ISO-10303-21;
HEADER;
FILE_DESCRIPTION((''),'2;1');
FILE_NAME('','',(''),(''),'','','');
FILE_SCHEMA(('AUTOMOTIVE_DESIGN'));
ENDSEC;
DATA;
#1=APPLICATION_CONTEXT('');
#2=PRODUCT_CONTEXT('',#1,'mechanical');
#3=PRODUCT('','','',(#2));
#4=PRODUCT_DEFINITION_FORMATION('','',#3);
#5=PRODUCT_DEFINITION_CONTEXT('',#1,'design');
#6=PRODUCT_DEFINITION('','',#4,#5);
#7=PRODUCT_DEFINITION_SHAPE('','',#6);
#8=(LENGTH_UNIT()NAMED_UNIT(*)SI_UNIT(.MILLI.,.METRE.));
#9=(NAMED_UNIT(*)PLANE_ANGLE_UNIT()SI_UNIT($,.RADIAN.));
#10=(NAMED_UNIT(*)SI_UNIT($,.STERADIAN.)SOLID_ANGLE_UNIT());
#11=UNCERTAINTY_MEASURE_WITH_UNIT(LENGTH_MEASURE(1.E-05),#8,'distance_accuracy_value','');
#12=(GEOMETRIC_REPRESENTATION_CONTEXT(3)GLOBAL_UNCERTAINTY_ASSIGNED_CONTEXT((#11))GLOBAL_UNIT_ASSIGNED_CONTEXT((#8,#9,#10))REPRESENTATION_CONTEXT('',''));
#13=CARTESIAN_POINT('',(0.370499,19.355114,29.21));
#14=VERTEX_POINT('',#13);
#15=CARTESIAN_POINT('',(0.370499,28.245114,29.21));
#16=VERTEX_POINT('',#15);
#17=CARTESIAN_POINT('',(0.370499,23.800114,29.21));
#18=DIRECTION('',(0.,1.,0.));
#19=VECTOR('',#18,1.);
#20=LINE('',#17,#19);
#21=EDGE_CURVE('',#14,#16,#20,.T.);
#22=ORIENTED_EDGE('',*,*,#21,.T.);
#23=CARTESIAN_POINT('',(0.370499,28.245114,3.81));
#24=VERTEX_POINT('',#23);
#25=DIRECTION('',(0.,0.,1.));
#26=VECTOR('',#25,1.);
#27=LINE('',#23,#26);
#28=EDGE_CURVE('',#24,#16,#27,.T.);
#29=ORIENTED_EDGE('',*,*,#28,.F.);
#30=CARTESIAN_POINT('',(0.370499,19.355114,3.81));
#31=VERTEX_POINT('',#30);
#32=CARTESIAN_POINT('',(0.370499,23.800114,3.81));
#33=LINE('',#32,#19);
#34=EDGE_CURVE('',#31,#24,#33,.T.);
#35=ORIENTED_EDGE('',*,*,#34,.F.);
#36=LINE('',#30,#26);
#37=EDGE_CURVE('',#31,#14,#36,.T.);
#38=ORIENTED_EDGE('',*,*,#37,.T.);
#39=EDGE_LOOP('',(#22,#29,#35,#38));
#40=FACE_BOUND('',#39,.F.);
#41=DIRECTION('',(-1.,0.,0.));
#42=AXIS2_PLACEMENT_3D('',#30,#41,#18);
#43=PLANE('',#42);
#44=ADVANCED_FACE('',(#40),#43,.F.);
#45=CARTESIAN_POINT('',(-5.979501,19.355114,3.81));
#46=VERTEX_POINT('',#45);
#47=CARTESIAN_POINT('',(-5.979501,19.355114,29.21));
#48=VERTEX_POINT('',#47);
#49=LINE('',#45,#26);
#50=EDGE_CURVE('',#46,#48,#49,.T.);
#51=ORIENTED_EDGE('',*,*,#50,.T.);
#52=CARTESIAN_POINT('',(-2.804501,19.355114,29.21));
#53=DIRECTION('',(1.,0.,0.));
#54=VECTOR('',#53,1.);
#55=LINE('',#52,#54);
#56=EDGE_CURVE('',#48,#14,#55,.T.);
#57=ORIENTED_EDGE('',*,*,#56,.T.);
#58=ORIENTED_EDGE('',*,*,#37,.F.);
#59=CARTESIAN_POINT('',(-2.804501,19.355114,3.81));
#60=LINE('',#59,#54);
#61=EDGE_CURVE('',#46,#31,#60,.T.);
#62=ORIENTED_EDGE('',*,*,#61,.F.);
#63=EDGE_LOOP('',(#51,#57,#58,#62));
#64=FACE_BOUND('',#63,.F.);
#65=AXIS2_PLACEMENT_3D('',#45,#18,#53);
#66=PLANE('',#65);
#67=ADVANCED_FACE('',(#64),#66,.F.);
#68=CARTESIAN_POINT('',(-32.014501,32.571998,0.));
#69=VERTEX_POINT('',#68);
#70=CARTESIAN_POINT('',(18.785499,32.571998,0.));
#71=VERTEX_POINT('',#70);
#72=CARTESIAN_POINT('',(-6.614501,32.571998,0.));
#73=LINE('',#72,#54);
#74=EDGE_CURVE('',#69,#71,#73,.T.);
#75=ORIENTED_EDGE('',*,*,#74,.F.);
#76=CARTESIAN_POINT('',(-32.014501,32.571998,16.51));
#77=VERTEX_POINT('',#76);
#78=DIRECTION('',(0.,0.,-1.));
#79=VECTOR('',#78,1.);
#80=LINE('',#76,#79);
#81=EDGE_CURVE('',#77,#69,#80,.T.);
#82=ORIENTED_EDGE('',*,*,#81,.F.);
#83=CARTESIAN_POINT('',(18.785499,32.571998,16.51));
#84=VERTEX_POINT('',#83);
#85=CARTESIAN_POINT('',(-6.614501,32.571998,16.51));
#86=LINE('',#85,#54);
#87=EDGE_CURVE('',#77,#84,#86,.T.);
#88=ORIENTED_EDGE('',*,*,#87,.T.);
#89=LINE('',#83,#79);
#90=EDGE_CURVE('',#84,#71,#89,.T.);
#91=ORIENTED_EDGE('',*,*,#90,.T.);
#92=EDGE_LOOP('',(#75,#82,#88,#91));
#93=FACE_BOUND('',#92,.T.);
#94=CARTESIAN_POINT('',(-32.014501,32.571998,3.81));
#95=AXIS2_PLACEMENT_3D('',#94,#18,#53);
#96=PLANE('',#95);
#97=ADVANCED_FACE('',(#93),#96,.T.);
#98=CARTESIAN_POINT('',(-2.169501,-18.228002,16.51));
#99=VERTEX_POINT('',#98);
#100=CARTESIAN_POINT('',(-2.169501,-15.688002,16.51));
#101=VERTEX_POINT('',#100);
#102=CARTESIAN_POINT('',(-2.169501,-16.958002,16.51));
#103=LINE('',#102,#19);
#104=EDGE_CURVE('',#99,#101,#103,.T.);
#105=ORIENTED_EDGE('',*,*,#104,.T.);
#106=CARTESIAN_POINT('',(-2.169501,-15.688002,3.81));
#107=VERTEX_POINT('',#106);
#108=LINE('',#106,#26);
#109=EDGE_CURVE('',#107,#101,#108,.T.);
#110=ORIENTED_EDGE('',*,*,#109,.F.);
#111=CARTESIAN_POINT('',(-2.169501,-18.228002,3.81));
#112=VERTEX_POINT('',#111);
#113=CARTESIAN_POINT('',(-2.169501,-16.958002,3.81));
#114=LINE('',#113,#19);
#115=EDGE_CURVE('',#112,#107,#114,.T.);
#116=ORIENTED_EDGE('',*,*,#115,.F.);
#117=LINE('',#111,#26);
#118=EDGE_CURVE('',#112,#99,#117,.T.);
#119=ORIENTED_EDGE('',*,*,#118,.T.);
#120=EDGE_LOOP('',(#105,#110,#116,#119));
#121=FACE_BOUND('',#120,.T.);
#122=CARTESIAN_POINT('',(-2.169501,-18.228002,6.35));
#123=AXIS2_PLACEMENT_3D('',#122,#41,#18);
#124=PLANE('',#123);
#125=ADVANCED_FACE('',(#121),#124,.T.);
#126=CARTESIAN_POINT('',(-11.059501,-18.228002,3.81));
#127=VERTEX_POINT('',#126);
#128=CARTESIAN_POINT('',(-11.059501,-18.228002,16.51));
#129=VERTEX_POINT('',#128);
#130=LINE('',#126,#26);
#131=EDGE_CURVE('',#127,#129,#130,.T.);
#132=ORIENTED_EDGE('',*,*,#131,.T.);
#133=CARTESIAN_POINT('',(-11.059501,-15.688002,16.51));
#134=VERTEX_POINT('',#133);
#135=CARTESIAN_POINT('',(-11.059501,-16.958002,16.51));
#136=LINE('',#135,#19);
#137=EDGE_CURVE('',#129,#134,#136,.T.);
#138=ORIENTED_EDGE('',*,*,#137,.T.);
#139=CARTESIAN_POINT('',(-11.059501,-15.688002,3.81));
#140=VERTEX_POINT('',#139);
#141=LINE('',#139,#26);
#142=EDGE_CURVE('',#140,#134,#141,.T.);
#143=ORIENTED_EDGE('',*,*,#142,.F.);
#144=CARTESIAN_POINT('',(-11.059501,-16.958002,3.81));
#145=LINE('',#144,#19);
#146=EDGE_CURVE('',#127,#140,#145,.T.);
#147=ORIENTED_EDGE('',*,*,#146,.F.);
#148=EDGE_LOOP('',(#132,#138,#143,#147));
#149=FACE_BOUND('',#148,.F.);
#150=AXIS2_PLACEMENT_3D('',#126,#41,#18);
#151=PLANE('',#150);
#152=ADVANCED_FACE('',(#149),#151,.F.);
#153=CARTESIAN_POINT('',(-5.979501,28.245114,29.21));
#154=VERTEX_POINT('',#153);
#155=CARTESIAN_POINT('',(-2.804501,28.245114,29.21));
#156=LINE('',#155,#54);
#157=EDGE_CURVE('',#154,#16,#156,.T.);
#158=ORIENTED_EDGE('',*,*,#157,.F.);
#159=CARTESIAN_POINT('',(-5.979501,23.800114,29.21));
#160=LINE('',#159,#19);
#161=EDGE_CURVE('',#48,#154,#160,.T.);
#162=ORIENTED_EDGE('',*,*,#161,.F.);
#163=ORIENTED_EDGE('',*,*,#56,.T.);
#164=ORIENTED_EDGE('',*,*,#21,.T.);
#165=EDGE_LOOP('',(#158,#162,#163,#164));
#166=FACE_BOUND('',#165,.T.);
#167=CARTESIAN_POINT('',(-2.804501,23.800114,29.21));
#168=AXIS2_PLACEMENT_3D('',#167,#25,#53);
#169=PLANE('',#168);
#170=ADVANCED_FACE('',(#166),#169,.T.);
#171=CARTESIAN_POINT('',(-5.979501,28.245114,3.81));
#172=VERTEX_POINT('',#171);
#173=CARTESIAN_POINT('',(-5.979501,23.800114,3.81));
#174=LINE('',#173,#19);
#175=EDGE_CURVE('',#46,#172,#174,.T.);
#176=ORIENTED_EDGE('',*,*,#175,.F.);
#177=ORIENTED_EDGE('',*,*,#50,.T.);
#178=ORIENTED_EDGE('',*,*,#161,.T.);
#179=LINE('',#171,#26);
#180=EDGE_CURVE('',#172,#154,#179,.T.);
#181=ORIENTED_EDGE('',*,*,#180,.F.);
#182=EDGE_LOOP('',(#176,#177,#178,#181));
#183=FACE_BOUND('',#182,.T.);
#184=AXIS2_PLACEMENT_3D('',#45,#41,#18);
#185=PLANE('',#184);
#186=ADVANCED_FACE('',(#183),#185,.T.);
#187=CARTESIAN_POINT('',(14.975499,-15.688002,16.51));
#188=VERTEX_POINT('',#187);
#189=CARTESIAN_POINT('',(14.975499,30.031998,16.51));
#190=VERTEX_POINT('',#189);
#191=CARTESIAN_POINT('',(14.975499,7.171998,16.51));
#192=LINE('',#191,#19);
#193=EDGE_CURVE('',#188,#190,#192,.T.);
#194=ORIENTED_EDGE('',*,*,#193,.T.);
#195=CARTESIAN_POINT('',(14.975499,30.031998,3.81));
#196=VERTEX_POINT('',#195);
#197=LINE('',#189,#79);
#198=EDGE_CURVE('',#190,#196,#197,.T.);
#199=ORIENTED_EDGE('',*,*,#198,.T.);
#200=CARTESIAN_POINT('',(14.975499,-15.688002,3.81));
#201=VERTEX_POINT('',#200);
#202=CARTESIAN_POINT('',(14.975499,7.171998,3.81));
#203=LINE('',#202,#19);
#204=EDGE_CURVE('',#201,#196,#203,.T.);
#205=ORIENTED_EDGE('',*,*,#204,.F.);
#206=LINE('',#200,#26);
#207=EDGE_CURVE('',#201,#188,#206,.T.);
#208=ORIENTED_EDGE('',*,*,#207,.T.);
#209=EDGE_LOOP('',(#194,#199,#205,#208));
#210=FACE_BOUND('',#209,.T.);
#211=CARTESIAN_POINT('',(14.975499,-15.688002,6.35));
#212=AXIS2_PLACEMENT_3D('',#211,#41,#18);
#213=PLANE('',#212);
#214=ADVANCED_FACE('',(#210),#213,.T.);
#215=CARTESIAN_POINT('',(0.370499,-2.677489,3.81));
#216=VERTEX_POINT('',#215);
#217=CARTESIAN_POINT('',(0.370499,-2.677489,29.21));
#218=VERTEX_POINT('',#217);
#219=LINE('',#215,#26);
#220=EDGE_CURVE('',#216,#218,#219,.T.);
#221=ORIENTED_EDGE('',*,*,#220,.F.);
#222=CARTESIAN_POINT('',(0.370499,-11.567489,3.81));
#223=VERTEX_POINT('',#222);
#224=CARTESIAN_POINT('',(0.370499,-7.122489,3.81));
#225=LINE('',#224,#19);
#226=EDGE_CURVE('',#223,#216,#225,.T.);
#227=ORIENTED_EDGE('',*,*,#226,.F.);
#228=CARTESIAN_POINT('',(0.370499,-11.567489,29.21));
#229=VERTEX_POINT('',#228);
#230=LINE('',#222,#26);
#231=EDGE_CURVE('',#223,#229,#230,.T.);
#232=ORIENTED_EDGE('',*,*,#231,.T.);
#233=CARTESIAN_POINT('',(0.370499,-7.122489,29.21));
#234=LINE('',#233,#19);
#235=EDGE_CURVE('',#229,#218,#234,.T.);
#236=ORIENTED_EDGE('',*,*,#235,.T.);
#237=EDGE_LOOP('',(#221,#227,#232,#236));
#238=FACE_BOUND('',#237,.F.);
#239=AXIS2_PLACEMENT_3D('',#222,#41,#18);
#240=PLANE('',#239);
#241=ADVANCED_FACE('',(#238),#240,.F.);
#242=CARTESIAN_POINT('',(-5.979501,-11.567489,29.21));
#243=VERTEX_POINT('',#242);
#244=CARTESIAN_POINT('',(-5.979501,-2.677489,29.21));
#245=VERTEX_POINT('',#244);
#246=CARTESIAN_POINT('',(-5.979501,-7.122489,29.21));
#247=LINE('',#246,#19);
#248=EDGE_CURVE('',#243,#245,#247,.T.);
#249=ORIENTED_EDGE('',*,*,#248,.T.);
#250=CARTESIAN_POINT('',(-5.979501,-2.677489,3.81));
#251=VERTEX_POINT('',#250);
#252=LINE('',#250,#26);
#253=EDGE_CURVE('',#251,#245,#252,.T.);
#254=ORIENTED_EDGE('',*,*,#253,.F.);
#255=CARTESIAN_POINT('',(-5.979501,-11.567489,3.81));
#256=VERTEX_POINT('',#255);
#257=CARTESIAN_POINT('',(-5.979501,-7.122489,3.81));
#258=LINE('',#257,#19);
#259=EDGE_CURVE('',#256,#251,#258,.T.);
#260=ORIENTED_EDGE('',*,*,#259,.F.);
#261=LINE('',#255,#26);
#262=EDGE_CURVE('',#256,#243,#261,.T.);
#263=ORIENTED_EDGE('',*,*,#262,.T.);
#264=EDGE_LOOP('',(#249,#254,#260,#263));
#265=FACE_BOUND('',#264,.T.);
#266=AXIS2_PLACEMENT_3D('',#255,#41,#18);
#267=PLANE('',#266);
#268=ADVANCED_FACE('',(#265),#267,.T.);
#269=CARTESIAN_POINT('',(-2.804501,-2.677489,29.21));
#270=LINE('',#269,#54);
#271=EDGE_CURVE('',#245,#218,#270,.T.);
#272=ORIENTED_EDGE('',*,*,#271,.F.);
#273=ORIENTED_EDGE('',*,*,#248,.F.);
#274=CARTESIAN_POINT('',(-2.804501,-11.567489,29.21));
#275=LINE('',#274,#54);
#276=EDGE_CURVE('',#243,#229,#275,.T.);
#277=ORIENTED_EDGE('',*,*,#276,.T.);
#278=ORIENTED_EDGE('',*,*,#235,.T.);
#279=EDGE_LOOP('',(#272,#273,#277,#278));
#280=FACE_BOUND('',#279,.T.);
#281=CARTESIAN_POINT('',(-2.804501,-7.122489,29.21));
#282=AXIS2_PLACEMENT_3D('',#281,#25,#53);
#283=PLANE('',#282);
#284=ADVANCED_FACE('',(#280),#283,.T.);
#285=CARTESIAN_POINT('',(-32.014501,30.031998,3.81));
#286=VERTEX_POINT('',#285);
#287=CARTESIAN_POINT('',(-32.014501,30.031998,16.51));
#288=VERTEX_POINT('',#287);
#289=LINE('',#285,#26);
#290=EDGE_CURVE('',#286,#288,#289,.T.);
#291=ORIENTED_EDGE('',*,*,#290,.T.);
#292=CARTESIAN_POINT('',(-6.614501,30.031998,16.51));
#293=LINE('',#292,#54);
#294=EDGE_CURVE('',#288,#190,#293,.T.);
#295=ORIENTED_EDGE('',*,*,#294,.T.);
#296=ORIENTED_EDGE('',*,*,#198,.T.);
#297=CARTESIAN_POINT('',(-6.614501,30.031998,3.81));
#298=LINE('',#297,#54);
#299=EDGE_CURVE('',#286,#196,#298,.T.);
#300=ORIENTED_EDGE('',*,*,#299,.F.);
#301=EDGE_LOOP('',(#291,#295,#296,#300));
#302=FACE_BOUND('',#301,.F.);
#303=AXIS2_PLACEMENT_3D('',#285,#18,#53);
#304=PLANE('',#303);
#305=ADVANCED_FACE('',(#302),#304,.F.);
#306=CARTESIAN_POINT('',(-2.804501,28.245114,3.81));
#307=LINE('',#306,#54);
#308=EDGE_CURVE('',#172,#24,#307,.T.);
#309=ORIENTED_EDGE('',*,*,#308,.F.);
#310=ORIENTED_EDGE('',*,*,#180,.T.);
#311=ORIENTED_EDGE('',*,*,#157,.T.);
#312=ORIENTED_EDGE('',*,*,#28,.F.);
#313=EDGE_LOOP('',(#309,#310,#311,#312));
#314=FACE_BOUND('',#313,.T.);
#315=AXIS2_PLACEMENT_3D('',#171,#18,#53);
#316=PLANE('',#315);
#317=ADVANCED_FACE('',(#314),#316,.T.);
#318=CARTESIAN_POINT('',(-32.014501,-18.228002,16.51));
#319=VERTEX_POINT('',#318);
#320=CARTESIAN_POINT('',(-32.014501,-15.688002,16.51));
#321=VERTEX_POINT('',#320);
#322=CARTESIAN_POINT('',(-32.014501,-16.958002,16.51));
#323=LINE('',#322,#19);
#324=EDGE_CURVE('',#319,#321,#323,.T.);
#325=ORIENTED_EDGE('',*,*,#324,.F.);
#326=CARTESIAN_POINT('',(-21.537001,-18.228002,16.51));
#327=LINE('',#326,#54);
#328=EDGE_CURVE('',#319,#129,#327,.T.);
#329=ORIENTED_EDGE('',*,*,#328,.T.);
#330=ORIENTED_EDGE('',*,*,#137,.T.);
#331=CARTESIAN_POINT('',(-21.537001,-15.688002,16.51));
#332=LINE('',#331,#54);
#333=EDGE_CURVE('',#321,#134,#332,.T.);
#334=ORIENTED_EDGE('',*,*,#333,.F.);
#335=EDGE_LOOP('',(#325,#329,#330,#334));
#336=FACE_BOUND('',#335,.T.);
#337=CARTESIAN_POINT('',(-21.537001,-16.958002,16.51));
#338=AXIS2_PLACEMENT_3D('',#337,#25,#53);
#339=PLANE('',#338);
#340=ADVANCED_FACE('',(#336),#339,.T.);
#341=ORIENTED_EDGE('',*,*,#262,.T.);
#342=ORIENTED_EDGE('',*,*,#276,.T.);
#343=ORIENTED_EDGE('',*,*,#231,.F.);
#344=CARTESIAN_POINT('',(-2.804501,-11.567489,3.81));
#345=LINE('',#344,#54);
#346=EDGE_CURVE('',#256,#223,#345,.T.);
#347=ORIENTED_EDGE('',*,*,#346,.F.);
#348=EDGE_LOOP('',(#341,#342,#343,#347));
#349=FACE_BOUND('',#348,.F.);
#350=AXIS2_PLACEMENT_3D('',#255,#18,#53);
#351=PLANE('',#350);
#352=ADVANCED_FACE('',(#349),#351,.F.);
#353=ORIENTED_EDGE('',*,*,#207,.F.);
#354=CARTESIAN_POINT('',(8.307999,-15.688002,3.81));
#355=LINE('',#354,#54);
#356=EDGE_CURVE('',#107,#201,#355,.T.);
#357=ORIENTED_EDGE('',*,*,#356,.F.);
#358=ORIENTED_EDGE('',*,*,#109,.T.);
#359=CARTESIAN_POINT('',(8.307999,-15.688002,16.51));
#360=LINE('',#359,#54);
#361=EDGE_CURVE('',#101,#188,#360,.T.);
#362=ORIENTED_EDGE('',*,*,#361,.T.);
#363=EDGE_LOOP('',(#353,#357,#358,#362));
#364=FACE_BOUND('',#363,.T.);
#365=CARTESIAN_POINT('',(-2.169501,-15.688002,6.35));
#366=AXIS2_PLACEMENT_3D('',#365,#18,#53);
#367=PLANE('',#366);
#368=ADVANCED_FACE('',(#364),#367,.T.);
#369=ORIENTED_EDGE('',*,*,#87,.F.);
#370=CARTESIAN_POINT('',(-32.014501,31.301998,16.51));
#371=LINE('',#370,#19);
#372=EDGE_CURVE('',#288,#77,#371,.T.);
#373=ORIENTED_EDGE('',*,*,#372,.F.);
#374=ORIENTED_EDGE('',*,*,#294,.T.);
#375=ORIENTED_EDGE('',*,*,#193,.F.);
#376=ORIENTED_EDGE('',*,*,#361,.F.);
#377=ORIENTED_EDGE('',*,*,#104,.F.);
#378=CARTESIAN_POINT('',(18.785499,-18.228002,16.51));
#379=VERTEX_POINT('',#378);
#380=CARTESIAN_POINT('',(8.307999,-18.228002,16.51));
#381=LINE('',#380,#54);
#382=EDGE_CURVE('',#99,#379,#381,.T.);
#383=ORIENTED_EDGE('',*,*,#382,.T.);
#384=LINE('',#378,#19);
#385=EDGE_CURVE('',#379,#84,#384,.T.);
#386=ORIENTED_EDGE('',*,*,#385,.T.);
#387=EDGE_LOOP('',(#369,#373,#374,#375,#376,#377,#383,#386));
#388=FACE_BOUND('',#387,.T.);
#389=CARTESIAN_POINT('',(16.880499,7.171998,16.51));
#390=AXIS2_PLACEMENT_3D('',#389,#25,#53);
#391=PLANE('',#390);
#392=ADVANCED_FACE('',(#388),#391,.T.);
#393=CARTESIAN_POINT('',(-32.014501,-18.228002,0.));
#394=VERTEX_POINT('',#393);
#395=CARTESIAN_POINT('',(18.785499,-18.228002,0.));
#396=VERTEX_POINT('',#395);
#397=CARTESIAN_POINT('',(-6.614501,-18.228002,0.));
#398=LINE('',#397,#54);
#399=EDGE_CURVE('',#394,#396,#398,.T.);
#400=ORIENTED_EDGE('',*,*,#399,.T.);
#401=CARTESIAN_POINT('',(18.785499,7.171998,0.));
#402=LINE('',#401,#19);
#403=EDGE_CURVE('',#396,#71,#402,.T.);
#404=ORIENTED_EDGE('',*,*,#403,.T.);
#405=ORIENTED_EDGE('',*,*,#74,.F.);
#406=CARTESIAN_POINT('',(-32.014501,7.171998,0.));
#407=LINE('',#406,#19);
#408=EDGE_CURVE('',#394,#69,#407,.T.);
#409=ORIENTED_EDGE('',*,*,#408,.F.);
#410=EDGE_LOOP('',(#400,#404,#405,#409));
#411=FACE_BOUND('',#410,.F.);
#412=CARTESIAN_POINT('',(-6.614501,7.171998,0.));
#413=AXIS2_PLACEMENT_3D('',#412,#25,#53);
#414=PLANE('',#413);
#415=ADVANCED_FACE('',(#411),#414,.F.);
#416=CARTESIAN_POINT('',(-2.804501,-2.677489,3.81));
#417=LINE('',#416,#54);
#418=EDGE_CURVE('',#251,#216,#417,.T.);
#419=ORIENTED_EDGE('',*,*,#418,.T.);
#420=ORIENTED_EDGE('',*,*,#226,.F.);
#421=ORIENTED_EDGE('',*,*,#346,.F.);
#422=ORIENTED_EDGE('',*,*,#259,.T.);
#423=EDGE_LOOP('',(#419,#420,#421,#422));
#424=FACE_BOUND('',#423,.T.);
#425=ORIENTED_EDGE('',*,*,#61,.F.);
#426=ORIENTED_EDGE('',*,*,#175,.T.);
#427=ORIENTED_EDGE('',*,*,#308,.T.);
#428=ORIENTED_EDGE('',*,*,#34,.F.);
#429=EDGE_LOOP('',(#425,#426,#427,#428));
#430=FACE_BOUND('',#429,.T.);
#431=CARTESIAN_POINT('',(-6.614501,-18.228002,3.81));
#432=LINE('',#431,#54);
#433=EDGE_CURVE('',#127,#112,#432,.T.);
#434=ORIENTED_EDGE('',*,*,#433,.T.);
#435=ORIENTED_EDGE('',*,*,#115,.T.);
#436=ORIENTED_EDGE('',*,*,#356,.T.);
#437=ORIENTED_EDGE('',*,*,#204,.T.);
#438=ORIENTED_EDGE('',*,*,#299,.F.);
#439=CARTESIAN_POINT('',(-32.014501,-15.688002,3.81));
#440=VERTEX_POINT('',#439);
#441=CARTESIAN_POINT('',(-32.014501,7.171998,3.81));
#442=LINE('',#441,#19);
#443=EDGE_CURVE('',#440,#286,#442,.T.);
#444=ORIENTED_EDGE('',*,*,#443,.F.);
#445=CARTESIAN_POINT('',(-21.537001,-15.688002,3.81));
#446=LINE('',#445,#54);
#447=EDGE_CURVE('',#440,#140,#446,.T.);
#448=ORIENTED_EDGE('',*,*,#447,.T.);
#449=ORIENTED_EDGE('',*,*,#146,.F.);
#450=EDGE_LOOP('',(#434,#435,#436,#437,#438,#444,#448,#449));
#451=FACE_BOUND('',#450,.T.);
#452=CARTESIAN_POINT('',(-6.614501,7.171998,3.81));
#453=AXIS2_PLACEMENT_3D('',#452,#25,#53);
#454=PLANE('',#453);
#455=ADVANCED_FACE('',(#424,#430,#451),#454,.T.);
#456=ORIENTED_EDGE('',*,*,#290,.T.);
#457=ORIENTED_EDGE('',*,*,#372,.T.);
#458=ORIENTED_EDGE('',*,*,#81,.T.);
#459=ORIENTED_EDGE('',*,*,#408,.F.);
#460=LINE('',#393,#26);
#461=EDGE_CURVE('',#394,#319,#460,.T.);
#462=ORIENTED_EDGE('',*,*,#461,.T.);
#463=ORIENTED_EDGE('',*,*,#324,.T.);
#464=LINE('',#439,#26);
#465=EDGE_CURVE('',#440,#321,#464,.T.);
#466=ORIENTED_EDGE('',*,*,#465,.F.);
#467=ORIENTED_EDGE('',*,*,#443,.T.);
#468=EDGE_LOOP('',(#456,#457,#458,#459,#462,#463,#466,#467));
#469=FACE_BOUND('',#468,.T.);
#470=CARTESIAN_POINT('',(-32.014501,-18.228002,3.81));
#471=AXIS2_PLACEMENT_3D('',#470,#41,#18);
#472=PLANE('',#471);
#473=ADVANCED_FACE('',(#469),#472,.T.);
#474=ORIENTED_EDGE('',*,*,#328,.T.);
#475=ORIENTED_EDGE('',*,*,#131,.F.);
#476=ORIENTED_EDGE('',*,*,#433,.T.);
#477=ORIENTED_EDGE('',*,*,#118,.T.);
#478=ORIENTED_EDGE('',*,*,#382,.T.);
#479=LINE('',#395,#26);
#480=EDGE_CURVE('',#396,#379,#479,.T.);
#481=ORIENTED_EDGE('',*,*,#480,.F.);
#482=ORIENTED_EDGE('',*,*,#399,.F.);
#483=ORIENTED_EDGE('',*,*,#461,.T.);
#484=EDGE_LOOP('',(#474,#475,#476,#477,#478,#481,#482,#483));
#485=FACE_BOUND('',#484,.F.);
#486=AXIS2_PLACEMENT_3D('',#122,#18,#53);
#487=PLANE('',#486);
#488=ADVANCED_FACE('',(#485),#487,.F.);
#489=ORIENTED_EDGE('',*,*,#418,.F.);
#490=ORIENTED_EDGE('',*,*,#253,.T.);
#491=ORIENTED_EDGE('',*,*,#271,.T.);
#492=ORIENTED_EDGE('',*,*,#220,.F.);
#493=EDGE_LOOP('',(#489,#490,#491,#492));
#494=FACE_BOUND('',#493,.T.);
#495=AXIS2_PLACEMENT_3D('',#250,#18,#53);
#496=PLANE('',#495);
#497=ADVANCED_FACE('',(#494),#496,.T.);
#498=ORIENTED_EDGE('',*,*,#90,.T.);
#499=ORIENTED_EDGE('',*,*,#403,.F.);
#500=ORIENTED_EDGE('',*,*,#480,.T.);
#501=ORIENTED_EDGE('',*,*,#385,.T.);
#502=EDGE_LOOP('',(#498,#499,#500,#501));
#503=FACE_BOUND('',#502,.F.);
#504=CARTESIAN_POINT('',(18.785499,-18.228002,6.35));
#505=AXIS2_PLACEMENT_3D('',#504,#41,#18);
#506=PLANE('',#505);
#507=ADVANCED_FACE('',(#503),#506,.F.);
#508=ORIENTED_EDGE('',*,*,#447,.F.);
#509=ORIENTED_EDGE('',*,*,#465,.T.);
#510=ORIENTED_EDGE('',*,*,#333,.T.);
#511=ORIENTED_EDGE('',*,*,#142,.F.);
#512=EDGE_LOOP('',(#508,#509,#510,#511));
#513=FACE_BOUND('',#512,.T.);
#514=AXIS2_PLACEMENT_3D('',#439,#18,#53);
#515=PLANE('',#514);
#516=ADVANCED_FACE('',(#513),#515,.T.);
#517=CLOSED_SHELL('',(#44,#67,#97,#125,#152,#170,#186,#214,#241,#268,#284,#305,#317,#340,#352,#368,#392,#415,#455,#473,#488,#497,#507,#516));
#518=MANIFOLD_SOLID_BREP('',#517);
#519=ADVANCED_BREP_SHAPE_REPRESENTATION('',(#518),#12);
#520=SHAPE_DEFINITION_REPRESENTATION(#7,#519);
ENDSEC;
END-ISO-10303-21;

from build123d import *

# Parameters (mm, degrees)
F0_W      = 50.8
F0_H      = 50.8
F1_DEPTH  = 3.81
F2_W      = 50.8
F2_H      = 2.54
F3_DEPTH  = 12.7
F4_W      = 20.955
F4_H      = 2.54
F5_DEPTH  = 12.7
F6_W      = 20.955
F6_H      = 2.54
F7_DEPTH  = 2.54
F8_W      = 3.81
F8_H      = 45.72
F9_DEPTH  = 2.54
F10_DEPTH = 10.16
F11_W     = 6.35
F11_H     = 8.89
F12_DEPTH = 25.4
F13_W     = 6.35
F13_H     = 8.89
F14_DEPTH = 25.4


with BuildPart() as f1:
    # F0 (on Top) → F1 (new body)
    with BuildSketch(Plane.XY):
        with Locations((-6.6145006567, 7.1719978217)):
            Rectangle(F0_W, F0_H)
    extrude(amount=F1_DEPTH)

    # F2 (on face) → F3 (join)
    with BuildSketch(Plane.XY.offset(3.81)):
        with Locations((-6.6145006567, 31.3019978217)):
            Rectangle(F2_W, F2_H)
    extrude(amount=F3_DEPTH)

    # F4 (on face) → F5 (join)
    with BuildSketch(Plane.XY.offset(3.81)):
        with Locations((-21.5370006567, -16.9580021783)):
            Rectangle(F4_W, F4_H)
    extrude(amount=F5_DEPTH)

    # F6 (on face) → F7 (join)
    with BuildSketch(Plane.XY.offset(3.81)):
        with Locations((8.3079993433, -16.9580021783)):
            Rectangle(F6_W, F6_H)
    extrude(amount=F7_DEPTH)

    # F8 (on face) → F9 (join)
    with BuildSketch(Plane.XY.offset(3.81)):
        with Locations((16.8804993433, 7.1719978217)):
            Rectangle(F8_W, F8_H)
    extrude(amount=F9_DEPTH)

    # F10 (add): a face of the model
    f10_faces = [f1.faces().sort_by_distance(p)[0] for p in [
        (6.4029993433, -16.214133305, 6.35),
    ]]
    extrude(f10_faces, amount=F10_DEPTH)

    # F11 (on face) → F12 (join)
    with BuildSketch(Plane.XY.offset(3.81)):
        with Locations((-2.8045006567, -7.122488919)):
            Rectangle(F11_W, F11_H)
    extrude(amount=F12_DEPTH)

    # F13 (on face) → F14 (join)
    with BuildSketch(Plane.XY.offset(3.81)):
        with Locations((-2.8045006567, 23.80011379)):
            Rectangle(F13_W, F13_H)
    extrude(amount=F14_DEPTH)


solid = f1.part
